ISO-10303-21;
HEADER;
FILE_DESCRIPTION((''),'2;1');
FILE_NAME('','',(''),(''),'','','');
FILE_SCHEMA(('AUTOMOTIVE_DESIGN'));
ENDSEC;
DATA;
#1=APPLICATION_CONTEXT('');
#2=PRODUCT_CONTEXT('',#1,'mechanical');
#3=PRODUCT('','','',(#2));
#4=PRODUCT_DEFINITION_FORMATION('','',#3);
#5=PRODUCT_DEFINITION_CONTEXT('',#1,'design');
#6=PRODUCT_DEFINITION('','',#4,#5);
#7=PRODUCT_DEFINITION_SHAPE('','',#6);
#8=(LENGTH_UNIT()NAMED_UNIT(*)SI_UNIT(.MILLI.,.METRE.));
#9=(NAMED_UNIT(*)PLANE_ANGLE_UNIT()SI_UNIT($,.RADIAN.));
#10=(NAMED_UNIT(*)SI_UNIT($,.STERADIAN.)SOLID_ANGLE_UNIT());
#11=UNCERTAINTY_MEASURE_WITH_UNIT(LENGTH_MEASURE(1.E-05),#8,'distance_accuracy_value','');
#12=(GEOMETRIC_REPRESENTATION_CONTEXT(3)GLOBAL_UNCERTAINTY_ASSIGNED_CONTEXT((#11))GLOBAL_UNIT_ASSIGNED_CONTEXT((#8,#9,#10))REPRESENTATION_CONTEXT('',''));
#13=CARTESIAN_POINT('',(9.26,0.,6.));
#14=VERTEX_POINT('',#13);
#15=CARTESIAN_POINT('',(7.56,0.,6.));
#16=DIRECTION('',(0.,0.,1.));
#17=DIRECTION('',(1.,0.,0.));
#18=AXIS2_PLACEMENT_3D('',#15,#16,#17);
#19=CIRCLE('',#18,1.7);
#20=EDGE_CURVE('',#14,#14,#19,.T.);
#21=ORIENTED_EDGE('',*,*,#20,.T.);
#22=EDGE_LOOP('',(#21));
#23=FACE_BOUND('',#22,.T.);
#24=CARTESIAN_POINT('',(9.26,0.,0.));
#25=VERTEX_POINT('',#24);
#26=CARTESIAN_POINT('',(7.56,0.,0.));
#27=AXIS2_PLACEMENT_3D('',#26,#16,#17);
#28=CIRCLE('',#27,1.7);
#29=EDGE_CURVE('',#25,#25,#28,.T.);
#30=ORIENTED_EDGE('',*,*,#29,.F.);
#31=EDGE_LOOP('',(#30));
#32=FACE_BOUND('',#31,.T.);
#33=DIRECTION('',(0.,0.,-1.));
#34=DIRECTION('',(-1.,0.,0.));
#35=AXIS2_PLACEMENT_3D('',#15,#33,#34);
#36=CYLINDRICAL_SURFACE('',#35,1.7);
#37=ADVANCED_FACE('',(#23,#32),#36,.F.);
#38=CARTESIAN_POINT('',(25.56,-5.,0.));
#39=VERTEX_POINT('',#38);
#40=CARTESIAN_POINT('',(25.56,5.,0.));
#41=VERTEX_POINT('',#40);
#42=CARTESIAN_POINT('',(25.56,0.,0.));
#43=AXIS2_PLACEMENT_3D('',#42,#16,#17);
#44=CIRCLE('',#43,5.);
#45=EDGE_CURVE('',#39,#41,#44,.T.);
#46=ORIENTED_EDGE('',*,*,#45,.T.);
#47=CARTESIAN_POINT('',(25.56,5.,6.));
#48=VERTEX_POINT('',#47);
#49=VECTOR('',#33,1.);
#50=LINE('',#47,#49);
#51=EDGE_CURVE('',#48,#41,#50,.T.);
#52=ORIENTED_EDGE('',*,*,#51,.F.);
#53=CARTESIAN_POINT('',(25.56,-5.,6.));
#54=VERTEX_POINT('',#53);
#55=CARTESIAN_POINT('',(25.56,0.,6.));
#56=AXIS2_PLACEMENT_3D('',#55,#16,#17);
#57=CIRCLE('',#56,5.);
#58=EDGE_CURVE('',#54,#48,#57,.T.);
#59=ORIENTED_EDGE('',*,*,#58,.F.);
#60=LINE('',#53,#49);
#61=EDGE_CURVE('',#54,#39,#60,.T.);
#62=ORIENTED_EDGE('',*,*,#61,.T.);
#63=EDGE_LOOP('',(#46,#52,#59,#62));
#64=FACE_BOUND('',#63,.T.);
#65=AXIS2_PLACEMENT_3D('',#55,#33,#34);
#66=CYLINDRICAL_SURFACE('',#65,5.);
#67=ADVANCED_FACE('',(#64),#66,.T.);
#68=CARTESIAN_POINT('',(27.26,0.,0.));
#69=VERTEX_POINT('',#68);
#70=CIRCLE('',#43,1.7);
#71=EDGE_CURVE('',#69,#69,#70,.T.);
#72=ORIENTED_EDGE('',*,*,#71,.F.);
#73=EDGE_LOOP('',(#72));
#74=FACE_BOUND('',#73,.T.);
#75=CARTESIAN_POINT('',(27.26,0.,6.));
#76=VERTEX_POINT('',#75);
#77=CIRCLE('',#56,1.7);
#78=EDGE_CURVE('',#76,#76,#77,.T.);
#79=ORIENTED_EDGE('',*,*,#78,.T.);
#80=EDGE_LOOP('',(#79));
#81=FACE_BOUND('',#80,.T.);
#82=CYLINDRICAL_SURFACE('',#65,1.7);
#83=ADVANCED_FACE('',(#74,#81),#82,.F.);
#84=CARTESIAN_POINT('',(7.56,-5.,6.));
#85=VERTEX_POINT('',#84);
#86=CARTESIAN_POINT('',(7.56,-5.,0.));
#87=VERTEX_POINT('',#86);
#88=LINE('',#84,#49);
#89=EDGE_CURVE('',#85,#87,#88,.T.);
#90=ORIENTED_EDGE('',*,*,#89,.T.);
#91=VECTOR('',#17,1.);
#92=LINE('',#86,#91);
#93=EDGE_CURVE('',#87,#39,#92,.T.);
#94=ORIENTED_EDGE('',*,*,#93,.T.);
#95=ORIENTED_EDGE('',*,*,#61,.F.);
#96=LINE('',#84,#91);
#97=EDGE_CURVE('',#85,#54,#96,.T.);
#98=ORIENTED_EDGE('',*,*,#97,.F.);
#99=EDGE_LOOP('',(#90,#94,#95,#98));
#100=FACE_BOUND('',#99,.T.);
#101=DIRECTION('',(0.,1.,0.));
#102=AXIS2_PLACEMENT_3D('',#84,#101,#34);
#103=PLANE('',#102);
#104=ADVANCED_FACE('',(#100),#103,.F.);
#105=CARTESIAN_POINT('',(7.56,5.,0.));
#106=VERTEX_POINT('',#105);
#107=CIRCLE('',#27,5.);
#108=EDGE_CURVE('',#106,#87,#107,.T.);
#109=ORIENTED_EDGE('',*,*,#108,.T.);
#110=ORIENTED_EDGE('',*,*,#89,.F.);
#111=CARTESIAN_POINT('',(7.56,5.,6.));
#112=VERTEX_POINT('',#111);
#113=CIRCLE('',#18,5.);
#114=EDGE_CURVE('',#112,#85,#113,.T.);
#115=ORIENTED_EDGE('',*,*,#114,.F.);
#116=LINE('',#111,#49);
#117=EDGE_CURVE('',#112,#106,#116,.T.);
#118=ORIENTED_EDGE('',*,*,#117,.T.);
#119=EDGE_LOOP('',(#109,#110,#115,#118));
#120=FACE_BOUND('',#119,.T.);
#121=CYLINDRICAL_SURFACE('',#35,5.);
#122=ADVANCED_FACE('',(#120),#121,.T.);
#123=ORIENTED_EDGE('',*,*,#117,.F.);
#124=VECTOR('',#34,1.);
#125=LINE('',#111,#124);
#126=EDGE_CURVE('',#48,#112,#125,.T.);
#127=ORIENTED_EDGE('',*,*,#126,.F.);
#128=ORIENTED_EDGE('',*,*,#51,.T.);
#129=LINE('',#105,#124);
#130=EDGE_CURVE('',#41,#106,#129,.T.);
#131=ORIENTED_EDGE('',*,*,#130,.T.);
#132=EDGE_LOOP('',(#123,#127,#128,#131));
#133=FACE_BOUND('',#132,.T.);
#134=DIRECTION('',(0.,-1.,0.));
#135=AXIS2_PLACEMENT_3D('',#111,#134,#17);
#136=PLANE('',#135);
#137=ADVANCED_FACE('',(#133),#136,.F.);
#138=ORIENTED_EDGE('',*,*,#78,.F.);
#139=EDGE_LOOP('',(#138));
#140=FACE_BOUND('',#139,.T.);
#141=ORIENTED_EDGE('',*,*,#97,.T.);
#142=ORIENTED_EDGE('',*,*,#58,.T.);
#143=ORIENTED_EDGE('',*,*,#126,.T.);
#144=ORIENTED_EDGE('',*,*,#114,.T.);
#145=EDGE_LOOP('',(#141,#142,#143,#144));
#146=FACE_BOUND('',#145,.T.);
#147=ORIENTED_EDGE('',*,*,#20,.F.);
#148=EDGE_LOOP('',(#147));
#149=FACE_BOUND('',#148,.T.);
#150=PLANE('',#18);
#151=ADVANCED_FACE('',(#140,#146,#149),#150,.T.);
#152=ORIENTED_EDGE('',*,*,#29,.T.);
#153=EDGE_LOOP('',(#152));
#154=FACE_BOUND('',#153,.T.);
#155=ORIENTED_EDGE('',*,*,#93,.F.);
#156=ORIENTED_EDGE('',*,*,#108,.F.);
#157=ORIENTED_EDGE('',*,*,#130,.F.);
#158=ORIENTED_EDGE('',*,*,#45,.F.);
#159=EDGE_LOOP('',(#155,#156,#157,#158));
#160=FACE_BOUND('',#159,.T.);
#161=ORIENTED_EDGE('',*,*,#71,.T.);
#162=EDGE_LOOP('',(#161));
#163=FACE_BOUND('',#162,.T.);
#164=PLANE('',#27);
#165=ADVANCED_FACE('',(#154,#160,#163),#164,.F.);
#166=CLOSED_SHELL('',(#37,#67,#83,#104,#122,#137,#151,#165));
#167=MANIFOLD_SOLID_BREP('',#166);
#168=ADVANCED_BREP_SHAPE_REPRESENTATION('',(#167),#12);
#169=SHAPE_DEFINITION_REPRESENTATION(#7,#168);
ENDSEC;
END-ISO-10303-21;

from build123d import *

# Parameters (mm, degrees)
SKETCH2_R           = 1.7
BOSS_EXTRUDE1_DEPTH = 6


with BuildPart() as part:
    # Sketch2 → Boss-Extrude1 (new body)
    with BuildSketch(Plane.XY):
        with BuildLine():
            Line((7.56, 5), (25.56, 5))
            ThreePointArc((25.56, 5), (30.56, 0), (25.56, -5))
            Line((25.56, -5), (7.56, -5))
            ThreePointArc((7.56, -5), (2.56, 0), (7.56, 5))
        make_face()
        with Locations((7.56, 0)):
            Circle(SKETCH2_R, mode=Mode.SUBTRACT)
        with Locations((25.56, 0)):
            Circle(SKETCH2_R, mode=Mode.SUBTRACT)
    extrude(amount=BOSS_EXTRUDE1_DEPTH)


solid = part.part
